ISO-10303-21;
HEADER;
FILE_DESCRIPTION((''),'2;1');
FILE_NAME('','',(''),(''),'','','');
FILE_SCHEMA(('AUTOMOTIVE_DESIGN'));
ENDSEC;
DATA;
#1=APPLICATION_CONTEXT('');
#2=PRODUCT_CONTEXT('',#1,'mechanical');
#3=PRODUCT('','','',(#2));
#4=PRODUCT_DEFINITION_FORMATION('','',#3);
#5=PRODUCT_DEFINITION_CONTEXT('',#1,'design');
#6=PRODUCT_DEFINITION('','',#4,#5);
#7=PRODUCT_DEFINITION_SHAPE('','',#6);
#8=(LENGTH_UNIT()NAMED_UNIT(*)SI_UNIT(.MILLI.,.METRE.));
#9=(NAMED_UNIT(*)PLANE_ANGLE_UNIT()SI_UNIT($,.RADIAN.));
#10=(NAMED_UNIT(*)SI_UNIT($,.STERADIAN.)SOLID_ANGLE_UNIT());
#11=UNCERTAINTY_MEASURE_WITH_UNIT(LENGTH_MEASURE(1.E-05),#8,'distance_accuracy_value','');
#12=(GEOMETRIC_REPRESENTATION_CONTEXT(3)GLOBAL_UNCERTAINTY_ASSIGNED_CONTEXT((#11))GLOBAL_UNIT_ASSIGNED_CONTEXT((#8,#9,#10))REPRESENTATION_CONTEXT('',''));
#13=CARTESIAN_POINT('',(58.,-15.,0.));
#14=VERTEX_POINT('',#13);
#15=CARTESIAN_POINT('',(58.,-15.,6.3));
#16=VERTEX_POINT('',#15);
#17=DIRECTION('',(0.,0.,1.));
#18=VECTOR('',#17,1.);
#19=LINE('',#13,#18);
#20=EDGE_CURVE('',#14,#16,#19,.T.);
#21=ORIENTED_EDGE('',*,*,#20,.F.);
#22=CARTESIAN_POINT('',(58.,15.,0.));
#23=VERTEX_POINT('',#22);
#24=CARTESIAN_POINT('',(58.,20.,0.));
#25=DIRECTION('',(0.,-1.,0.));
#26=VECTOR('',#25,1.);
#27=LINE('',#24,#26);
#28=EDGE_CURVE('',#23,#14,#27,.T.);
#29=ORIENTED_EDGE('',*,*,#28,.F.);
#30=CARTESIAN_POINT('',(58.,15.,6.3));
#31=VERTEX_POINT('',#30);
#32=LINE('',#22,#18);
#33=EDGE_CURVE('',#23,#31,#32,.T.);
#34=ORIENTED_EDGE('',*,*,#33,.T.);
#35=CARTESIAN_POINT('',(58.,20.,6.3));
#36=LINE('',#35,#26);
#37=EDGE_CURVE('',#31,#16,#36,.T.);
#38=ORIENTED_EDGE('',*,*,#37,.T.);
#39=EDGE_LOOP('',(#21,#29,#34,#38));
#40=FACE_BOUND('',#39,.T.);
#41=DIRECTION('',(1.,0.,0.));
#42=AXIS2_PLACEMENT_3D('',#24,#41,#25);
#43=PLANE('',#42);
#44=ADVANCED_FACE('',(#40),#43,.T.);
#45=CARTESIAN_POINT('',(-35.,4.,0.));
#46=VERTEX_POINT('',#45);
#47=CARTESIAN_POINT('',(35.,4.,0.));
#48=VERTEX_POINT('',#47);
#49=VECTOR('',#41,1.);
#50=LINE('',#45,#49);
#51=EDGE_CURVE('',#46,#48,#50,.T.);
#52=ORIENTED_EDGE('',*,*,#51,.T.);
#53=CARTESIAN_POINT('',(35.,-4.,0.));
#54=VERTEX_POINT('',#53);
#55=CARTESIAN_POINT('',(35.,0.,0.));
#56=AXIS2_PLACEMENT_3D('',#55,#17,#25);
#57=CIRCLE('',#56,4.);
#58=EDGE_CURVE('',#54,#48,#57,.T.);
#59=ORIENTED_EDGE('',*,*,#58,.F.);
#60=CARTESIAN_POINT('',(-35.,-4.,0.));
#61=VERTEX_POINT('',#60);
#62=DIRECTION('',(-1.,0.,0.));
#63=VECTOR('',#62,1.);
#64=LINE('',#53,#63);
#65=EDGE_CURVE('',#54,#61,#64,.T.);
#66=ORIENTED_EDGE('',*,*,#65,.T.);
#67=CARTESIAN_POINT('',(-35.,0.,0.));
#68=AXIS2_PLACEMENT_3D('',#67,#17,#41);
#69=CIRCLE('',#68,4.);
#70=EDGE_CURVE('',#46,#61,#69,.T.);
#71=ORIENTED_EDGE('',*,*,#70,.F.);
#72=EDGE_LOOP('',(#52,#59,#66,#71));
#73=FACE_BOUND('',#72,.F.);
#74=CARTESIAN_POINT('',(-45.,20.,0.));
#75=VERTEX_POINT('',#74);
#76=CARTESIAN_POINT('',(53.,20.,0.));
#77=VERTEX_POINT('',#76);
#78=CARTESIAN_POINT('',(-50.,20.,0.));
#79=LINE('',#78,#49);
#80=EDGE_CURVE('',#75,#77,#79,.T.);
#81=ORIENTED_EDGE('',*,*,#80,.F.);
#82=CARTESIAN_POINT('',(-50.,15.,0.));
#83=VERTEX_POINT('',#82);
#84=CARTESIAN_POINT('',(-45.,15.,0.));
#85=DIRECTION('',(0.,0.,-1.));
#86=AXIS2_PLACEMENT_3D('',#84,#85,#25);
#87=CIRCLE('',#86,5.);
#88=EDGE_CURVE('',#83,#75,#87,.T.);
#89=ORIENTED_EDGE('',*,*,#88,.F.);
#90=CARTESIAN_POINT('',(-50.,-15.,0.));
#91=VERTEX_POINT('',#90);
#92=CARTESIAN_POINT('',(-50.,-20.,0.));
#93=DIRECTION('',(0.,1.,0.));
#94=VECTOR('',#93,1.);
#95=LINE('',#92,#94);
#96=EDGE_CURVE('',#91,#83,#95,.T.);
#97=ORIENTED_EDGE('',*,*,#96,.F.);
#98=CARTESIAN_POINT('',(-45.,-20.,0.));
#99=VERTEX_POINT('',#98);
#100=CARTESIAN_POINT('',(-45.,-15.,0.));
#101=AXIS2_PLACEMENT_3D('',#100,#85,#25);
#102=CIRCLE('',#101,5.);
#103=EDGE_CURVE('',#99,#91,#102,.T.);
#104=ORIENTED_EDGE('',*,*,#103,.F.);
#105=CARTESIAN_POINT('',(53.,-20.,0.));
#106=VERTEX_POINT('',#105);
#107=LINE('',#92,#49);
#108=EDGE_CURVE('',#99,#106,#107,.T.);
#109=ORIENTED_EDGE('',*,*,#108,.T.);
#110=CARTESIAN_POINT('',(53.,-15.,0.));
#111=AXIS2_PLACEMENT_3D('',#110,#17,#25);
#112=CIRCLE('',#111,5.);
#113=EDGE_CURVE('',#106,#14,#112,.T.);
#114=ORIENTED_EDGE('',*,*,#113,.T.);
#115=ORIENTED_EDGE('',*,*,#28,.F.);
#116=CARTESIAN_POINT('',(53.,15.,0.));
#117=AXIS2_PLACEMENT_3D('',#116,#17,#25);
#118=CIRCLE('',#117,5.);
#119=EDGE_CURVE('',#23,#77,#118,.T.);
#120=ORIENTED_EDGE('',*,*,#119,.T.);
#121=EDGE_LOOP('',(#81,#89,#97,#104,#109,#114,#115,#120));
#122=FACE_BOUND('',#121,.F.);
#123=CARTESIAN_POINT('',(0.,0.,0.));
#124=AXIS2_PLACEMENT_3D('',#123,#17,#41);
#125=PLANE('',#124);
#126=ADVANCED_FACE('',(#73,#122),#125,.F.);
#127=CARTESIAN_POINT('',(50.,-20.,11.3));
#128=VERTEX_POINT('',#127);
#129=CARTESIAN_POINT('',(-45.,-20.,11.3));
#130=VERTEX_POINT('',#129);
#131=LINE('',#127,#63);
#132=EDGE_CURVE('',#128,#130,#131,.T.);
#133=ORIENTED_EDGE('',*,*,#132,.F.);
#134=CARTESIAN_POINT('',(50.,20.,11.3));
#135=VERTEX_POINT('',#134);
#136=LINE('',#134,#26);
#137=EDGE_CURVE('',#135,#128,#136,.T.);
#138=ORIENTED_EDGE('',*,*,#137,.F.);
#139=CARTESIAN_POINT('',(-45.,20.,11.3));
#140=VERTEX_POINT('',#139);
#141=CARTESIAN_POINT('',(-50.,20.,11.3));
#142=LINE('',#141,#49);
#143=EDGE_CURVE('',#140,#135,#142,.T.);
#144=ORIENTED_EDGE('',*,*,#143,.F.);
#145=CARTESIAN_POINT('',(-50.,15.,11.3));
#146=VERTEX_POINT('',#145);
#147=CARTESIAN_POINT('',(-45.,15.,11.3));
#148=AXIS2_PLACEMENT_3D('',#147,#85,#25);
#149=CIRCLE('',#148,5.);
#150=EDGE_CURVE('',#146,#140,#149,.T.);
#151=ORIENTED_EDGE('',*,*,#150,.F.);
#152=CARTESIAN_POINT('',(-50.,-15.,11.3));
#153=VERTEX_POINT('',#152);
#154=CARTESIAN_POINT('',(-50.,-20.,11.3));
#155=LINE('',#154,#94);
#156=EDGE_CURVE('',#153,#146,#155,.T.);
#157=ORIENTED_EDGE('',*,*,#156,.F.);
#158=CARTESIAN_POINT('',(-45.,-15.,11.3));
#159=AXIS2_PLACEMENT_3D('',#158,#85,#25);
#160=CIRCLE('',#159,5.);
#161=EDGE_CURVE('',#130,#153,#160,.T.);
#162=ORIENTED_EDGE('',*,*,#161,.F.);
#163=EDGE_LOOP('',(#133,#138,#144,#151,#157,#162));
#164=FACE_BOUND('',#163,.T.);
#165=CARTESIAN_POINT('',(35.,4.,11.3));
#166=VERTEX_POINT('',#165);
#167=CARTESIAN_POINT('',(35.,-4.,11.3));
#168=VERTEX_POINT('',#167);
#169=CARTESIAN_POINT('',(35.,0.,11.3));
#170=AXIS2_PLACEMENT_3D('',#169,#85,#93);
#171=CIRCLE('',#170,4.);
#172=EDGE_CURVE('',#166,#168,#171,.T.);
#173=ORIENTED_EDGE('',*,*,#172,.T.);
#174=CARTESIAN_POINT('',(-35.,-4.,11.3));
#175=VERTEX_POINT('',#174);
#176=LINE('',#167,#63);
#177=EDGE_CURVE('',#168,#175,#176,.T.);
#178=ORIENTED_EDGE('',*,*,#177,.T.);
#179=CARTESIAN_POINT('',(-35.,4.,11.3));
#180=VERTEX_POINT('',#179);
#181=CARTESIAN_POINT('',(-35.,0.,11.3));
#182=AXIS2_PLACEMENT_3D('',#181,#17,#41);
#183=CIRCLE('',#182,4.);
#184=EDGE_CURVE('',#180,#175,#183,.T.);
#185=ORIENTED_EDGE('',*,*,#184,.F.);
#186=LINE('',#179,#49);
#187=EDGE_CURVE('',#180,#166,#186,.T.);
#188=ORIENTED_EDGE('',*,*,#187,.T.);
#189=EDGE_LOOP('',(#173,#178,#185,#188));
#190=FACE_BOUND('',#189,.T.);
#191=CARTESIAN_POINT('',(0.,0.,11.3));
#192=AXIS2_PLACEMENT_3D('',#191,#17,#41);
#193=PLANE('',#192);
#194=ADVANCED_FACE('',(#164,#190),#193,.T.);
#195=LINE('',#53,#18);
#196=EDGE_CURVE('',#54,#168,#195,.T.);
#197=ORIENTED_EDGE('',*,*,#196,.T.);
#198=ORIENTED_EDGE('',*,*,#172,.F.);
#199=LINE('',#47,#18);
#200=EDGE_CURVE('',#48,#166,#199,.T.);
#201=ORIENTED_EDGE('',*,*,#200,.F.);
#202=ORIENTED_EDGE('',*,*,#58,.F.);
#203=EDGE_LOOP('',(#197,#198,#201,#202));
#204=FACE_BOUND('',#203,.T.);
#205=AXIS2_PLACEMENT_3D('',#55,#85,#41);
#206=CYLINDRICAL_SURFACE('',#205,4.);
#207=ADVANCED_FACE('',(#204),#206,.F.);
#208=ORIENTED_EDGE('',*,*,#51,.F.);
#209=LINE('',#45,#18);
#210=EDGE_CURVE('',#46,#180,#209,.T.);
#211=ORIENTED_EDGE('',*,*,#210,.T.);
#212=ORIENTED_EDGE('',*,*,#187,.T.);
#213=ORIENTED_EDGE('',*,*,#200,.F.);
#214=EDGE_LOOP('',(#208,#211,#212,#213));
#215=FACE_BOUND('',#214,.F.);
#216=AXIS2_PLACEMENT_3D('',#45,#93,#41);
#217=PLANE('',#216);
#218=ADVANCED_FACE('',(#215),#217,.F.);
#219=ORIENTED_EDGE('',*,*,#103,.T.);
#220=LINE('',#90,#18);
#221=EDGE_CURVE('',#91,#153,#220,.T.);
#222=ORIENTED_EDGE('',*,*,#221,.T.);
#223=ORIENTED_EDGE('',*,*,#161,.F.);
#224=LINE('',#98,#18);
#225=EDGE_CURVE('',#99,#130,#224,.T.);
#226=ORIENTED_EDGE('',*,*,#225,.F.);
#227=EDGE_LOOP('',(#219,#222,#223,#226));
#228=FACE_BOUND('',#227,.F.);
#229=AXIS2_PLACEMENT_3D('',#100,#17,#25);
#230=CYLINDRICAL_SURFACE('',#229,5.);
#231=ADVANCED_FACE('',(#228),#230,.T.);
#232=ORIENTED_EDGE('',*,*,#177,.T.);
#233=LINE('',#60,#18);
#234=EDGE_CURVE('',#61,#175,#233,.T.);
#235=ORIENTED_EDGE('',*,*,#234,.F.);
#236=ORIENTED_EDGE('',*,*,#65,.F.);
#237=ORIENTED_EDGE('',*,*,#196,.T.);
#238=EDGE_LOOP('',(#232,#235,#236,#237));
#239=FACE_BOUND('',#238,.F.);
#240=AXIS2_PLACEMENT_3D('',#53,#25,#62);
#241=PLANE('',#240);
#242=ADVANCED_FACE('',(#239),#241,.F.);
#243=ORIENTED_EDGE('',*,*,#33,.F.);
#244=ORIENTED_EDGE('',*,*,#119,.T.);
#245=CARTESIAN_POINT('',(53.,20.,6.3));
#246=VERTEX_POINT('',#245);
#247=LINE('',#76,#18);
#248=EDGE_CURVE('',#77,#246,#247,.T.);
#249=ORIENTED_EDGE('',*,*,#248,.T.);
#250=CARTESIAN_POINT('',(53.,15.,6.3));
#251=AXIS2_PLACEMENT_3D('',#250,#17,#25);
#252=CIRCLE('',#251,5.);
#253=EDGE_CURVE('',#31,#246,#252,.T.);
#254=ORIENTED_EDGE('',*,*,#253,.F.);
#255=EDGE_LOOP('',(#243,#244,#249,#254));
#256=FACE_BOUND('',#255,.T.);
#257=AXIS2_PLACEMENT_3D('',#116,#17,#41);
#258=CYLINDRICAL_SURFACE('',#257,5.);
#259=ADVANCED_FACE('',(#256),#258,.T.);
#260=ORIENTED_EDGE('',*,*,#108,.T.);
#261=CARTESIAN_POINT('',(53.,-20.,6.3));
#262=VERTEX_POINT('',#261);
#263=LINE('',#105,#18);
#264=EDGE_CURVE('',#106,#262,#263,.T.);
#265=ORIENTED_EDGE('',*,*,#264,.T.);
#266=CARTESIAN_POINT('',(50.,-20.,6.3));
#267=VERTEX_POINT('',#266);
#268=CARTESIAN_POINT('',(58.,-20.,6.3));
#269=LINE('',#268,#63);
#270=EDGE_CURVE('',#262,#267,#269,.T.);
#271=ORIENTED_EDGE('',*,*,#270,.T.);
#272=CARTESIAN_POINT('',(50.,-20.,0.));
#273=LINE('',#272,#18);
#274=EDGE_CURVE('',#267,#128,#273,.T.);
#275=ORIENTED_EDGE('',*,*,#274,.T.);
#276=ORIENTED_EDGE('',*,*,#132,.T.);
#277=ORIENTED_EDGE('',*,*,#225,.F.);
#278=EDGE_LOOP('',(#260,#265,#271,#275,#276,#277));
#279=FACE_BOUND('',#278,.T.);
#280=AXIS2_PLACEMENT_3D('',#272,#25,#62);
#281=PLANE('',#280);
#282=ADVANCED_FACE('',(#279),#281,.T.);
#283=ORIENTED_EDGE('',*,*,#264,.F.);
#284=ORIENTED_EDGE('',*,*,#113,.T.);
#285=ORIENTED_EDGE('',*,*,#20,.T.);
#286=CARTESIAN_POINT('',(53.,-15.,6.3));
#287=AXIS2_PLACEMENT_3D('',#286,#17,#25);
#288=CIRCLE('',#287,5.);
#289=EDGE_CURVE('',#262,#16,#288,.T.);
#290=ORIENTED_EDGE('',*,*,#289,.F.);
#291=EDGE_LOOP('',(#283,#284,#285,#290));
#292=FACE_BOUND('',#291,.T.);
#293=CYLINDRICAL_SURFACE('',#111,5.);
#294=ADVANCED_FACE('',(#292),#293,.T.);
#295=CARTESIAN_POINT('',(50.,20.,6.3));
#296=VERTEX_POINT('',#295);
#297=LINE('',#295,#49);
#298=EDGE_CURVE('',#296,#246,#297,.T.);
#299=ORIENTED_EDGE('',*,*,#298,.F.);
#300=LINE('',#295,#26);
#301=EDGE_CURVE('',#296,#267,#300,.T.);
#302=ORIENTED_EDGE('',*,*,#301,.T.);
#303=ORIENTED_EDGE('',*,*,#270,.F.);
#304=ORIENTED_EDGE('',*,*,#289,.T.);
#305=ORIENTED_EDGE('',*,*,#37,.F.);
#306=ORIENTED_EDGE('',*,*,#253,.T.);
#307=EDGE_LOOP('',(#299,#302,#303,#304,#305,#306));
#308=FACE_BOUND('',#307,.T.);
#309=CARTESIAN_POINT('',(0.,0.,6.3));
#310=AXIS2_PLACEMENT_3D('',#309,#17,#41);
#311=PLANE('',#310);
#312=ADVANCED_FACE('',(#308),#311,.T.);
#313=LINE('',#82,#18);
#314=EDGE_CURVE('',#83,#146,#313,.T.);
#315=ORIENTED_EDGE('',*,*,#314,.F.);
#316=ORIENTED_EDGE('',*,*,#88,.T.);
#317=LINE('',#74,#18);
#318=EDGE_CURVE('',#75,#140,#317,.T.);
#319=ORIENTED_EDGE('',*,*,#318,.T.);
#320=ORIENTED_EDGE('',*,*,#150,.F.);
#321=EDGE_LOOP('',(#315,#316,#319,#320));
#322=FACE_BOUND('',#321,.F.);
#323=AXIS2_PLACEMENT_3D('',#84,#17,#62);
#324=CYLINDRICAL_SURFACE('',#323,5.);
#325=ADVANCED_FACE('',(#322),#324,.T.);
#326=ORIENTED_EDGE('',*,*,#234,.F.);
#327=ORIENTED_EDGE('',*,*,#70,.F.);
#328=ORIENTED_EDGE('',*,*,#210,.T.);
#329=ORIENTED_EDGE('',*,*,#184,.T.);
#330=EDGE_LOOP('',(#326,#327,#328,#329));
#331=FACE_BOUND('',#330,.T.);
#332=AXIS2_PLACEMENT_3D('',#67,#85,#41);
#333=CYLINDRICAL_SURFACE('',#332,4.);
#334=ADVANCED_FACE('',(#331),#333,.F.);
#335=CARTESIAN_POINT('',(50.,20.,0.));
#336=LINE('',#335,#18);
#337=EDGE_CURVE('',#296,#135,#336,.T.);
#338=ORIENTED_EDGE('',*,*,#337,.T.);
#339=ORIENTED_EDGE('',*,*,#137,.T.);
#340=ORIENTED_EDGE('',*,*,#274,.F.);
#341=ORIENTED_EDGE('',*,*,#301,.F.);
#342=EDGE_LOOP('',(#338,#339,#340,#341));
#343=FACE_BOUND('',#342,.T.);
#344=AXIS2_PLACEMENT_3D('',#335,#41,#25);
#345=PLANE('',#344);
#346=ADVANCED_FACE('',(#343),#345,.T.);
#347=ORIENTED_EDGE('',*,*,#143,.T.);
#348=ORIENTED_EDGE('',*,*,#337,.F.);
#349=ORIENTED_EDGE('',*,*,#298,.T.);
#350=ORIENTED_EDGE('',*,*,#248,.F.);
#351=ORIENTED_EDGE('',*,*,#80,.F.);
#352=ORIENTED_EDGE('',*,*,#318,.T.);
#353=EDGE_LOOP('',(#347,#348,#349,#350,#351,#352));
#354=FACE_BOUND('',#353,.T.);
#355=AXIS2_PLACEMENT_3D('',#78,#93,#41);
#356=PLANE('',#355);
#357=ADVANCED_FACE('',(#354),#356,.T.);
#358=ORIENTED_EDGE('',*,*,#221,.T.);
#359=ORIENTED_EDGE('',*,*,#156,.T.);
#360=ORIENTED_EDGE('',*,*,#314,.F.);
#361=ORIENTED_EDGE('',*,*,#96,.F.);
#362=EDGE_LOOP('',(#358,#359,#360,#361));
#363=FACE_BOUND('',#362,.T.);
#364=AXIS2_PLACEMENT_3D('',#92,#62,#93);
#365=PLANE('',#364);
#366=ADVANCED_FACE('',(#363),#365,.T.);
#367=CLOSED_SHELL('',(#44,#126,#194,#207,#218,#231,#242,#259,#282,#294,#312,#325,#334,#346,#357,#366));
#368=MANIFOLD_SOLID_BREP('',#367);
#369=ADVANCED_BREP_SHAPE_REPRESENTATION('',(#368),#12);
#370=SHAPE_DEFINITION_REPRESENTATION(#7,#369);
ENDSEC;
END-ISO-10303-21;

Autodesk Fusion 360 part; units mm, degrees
sketch "Sketch3" plane through (0, 0, 0) normal (0, 0, 1) x (1, 0, 0)
  line L0 (50, -20) -> (-50, -20)
  line L1 (-50, -20) -> (-50, 20)
  line L2 (-50, 20) -> (50, 20)
  line L3 (50, 20) -> (50, -20)
  line L4 (50, -20) -> (-50, 20) construction
  line L5 (-50, -20) -> (50, 20) construction
  line L6 (35, -4) -> (-35, -4)
  line L7 (-35, -4) -> (-35, 4)
  line L8 (-35, 4) -> (35, 4)
  line L9 (35, 4) -> (35, -4)
  line L10 (35, -4) -> (-35, 4) construction
  line L11 (-35, -4) -> (35, 4) construction
  line L12 (50, 20) -> (58, 20)
  line L13 (58, 20) -> (58, -20)
  line L14 (58, -20) -> (50, -20)
  line L15 (50, -20) -> (50, 20)
  circle A0 centre (-35, 0) radius 4
  circle A1 centre (35, 0) radius 4
  dimension "d9" = 100
  dimension "d10" = 40
  dimension "d11" = 70
  dimension "d12" = 8
  dimension "d14" = 8
  dimension "d15" = 40
  dimension "d16" = 8
  dimension "d17" = 8
extrude "Extrude1" add sketch "Sketch3" along normal blind 11.3 contours L0 L1 L2 L3 L15
extrude "Extrude2" add sketch "Sketch3" along normal blind 6.3 contours L3 L12 L13 L14 L15
fillet "Fillet1" radius 5 4 edges at (-50, -20, 5.65) (-50, 20, 5.65) (58, 20, 3.15) (58, -20, 3.15)
equation "thickness = 11.3 mm"
equation "largeur = 40 mm"
equation "longueurTotal = 100 mm"
equation "diametre = 8 mm"
equation "epaulement = thickness - 5 mm"
equation "congés = 5 mm"
equation "longueurRainure = longueurTotal - 30 mm"
equation "largeurRainure = 8 mm"
equation "d9 = longueurTotal"
equation "d10 = largeur"
equation "d11 = longueurRainure"
equation "d12 = largeurRainure"
equation "largeurEpaulement = 8 mm"
equation "d14 = largeurEpaulement"
equation "d15 = largeur"
equation "d16 = diametre"
equation "d17 = diametre"
equation "d18 = thickness"
equation "d20 = epaulement"
equation "d23 = congés"
